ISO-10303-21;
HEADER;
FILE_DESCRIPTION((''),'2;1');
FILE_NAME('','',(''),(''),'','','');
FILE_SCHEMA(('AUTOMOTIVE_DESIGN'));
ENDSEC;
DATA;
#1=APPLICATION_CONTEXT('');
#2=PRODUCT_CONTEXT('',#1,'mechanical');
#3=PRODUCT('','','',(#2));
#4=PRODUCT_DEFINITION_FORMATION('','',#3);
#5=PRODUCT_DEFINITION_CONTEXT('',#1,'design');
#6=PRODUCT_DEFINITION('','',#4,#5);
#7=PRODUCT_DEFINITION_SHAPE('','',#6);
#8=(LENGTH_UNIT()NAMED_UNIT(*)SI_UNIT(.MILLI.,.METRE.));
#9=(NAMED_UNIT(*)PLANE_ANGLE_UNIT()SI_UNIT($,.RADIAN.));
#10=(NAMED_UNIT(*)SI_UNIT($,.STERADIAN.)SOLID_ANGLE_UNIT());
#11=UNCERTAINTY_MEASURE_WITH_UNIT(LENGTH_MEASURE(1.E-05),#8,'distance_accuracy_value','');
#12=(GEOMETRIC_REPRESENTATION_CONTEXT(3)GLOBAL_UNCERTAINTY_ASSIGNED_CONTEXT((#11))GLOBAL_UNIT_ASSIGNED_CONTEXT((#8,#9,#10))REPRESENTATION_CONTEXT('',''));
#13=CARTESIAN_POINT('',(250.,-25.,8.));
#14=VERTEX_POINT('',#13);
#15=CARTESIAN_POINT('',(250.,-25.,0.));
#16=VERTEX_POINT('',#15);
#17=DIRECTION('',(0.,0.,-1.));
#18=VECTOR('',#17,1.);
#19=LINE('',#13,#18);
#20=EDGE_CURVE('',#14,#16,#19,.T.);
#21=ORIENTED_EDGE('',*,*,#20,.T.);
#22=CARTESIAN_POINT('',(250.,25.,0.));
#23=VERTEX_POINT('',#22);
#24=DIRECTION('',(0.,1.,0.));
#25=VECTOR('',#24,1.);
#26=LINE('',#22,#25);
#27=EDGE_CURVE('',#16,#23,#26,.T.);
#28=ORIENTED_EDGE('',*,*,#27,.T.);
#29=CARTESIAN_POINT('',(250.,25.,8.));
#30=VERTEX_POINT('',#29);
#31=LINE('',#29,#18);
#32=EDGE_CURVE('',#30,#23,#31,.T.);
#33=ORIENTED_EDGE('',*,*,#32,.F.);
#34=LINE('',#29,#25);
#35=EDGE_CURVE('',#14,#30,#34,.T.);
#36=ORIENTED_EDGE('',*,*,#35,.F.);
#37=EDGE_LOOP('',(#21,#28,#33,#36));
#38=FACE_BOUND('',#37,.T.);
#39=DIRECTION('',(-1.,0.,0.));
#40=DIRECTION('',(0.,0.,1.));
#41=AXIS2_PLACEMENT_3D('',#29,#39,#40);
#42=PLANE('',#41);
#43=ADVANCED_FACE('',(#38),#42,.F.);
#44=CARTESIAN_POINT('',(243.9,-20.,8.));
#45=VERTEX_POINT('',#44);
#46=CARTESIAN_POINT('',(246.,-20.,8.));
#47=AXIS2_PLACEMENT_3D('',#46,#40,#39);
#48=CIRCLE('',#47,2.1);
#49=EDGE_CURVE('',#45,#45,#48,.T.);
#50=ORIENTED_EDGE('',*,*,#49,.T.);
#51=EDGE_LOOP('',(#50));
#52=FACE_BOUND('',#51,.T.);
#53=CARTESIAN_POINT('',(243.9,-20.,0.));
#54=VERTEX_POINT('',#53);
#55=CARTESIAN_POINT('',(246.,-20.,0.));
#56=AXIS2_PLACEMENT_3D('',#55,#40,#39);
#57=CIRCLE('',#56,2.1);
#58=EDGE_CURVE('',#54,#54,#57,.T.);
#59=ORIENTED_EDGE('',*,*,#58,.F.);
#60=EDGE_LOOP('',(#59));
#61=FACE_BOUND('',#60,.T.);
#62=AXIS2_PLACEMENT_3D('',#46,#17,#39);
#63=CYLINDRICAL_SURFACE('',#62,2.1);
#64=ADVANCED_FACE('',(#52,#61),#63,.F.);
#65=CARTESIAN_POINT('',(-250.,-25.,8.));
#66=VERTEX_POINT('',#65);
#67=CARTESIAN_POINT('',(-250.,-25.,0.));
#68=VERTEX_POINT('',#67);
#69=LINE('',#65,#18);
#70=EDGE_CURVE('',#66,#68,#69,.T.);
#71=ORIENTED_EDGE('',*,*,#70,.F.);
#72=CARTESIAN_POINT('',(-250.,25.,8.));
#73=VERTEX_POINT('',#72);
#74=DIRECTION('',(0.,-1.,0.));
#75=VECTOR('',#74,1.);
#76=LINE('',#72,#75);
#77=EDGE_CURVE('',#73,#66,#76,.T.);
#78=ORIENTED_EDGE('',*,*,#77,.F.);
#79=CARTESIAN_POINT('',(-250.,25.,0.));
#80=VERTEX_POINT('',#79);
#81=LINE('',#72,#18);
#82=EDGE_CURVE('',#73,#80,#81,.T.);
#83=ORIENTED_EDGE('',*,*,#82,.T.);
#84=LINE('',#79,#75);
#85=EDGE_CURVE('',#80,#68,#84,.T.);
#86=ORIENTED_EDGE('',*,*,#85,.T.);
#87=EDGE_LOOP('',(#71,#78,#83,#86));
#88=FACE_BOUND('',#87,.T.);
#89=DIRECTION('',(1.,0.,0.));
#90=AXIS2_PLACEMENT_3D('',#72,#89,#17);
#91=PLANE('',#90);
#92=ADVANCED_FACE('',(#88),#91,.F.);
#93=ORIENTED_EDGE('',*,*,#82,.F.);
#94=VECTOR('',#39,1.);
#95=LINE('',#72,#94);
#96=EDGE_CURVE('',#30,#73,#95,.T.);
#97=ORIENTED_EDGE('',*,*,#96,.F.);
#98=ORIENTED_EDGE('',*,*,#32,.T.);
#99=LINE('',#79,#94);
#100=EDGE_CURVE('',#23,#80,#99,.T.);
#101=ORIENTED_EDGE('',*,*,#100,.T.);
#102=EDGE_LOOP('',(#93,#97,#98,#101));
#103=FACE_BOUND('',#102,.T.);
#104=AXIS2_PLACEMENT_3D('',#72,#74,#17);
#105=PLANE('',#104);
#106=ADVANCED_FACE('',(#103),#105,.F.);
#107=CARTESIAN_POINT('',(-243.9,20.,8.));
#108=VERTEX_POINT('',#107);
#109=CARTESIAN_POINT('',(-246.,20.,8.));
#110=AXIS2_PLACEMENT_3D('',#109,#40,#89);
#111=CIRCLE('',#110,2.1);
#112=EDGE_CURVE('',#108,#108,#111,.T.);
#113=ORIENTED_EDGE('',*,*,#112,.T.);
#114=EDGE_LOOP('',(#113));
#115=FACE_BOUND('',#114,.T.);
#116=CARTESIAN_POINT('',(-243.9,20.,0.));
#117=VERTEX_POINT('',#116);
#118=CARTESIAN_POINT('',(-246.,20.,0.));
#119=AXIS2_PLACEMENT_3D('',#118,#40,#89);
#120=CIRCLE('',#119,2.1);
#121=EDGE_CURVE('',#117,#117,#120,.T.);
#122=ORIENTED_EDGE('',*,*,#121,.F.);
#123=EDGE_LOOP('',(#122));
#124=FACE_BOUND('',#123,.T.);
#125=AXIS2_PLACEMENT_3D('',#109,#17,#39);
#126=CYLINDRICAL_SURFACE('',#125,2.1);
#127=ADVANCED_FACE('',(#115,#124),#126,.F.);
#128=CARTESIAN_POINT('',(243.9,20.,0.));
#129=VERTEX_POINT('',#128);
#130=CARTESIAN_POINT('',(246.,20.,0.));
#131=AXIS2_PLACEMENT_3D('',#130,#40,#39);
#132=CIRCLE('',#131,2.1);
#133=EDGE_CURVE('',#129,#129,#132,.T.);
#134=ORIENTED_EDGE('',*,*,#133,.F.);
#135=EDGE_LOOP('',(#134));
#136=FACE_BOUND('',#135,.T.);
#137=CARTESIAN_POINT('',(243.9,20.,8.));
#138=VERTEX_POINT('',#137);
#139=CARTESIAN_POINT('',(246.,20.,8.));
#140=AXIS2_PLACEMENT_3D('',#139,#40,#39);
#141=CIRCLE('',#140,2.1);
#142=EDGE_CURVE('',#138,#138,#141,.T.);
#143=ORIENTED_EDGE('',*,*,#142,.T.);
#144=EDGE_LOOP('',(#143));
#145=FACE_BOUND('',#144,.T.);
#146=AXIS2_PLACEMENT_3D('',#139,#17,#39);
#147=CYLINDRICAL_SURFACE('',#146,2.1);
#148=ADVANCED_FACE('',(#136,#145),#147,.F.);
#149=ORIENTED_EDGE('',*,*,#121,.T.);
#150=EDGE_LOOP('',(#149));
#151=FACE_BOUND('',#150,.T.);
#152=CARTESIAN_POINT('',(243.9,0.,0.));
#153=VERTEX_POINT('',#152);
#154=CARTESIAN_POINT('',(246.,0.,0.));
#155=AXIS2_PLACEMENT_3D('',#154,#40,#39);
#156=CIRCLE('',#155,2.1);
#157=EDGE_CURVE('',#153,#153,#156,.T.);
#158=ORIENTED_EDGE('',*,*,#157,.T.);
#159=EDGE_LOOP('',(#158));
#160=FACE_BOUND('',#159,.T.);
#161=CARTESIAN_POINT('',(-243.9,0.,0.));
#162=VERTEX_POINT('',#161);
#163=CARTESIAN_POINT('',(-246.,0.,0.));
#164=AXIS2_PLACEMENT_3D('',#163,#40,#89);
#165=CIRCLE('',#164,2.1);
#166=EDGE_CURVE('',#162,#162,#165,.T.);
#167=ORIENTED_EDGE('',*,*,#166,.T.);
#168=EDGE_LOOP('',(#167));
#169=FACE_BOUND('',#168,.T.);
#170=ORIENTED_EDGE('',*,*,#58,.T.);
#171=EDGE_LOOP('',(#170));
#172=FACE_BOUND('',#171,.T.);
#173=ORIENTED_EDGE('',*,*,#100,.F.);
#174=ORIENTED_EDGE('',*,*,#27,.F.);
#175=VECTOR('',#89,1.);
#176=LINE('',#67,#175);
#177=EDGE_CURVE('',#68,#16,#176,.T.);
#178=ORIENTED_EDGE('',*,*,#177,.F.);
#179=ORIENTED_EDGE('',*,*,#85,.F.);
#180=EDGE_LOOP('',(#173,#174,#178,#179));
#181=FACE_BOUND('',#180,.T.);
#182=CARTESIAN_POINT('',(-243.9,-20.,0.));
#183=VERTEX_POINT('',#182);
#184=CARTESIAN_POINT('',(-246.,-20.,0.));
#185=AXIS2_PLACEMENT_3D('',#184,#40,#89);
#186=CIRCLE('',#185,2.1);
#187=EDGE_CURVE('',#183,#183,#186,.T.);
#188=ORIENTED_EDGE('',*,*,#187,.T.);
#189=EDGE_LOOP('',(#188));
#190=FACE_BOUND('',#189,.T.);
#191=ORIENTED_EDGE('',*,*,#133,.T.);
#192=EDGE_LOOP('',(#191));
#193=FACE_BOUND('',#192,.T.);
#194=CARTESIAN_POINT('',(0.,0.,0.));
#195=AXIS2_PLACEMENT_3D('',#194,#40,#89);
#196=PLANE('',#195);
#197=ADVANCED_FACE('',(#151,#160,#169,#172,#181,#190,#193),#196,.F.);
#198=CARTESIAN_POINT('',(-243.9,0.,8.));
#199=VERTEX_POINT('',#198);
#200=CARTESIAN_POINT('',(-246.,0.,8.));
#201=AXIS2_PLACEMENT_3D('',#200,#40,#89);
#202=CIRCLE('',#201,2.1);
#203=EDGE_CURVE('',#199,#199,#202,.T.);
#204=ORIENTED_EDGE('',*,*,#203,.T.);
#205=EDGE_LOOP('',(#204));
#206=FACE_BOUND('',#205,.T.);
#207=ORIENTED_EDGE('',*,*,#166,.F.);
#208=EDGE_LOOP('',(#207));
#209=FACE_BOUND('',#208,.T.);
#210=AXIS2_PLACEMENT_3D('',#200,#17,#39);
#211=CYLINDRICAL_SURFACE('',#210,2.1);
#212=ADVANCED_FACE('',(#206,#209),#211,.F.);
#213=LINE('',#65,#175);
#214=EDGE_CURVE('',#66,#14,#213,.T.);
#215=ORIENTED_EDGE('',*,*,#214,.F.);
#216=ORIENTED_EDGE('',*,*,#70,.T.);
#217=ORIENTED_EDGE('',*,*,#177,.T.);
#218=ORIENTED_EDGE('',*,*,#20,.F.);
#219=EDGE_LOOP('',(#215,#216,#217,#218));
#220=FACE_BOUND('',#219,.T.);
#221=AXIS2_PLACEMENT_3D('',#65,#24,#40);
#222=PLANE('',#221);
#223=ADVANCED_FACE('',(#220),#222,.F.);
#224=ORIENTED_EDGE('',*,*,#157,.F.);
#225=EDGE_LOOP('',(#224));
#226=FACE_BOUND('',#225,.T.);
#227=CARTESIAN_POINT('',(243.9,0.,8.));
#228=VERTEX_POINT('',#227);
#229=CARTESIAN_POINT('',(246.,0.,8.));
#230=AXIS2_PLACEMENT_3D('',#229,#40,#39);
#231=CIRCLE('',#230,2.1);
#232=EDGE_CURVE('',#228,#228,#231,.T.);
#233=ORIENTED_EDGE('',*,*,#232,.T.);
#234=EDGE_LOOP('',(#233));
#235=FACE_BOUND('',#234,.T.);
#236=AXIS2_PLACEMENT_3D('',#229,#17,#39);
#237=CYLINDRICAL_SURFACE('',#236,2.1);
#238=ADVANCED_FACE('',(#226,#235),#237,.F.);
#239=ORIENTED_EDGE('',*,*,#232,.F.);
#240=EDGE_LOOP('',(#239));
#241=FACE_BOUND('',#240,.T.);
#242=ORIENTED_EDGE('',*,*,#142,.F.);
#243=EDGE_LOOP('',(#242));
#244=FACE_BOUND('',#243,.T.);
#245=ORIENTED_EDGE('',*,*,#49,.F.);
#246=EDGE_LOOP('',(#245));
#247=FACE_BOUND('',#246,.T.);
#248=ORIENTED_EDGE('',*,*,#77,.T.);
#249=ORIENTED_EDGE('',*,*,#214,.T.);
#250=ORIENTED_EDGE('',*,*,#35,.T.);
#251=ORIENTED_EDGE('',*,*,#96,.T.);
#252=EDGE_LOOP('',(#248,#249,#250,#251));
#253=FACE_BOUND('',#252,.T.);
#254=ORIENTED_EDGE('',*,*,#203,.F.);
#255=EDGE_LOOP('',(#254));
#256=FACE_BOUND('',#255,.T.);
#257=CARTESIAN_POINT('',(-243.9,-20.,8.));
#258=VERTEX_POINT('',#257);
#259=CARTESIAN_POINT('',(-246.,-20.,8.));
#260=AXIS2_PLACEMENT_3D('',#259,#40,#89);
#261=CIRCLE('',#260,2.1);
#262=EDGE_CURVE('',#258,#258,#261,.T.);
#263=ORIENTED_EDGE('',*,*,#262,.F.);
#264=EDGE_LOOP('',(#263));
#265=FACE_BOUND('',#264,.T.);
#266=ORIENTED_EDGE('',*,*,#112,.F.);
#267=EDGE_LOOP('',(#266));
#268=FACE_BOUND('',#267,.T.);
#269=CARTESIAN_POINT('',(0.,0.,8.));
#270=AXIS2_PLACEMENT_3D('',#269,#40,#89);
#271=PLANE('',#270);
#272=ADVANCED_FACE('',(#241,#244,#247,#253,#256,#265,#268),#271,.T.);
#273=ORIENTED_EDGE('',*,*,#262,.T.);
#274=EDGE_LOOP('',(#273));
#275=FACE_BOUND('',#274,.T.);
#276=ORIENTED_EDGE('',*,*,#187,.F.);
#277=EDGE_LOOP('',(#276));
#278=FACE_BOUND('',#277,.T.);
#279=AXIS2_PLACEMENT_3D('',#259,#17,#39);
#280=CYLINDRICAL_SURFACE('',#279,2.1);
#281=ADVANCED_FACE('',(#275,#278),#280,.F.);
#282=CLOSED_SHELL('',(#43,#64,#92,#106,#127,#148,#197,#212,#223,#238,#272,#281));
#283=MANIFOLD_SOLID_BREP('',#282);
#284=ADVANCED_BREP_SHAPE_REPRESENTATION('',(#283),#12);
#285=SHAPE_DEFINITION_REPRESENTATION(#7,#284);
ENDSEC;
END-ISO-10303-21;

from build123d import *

# Parameters (mm, degrees)
SKETCH1_W           = 500
SKETCH1_H           = 50
SKETCH1_R           = 2.1
BOSS_EXTRUDE1_DEPTH = 8


with BuildPart() as part:
    # Sketch1 → Boss-Extrude1 (new body)
    with BuildSketch(Plane.XY):
        Rectangle(SKETCH1_W, SKETCH1_H)
        with Locations((-246, 0)):
            Circle(SKETCH1_R, mode=Mode.SUBTRACT)
        with Locations((-246, 20)):
            Circle(SKETCH1_R, mode=Mode.SUBTRACT)
        with Locations((-246, -20)):
            Circle(SKETCH1_R, mode=Mode.SUBTRACT)
        with Locations((246, 20)):
            Circle(SKETCH1_R, mode=Mode.SUBTRACT)
        with Locations((246, 0)):
            Circle(SKETCH1_R, mode=Mode.SUBTRACT)
        with Locations((246, -20)):
            Circle(SKETCH1_R, mode=Mode.SUBTRACT)
    extrude(amount=BOSS_EXTRUDE1_DEPTH)


solid = part.part
